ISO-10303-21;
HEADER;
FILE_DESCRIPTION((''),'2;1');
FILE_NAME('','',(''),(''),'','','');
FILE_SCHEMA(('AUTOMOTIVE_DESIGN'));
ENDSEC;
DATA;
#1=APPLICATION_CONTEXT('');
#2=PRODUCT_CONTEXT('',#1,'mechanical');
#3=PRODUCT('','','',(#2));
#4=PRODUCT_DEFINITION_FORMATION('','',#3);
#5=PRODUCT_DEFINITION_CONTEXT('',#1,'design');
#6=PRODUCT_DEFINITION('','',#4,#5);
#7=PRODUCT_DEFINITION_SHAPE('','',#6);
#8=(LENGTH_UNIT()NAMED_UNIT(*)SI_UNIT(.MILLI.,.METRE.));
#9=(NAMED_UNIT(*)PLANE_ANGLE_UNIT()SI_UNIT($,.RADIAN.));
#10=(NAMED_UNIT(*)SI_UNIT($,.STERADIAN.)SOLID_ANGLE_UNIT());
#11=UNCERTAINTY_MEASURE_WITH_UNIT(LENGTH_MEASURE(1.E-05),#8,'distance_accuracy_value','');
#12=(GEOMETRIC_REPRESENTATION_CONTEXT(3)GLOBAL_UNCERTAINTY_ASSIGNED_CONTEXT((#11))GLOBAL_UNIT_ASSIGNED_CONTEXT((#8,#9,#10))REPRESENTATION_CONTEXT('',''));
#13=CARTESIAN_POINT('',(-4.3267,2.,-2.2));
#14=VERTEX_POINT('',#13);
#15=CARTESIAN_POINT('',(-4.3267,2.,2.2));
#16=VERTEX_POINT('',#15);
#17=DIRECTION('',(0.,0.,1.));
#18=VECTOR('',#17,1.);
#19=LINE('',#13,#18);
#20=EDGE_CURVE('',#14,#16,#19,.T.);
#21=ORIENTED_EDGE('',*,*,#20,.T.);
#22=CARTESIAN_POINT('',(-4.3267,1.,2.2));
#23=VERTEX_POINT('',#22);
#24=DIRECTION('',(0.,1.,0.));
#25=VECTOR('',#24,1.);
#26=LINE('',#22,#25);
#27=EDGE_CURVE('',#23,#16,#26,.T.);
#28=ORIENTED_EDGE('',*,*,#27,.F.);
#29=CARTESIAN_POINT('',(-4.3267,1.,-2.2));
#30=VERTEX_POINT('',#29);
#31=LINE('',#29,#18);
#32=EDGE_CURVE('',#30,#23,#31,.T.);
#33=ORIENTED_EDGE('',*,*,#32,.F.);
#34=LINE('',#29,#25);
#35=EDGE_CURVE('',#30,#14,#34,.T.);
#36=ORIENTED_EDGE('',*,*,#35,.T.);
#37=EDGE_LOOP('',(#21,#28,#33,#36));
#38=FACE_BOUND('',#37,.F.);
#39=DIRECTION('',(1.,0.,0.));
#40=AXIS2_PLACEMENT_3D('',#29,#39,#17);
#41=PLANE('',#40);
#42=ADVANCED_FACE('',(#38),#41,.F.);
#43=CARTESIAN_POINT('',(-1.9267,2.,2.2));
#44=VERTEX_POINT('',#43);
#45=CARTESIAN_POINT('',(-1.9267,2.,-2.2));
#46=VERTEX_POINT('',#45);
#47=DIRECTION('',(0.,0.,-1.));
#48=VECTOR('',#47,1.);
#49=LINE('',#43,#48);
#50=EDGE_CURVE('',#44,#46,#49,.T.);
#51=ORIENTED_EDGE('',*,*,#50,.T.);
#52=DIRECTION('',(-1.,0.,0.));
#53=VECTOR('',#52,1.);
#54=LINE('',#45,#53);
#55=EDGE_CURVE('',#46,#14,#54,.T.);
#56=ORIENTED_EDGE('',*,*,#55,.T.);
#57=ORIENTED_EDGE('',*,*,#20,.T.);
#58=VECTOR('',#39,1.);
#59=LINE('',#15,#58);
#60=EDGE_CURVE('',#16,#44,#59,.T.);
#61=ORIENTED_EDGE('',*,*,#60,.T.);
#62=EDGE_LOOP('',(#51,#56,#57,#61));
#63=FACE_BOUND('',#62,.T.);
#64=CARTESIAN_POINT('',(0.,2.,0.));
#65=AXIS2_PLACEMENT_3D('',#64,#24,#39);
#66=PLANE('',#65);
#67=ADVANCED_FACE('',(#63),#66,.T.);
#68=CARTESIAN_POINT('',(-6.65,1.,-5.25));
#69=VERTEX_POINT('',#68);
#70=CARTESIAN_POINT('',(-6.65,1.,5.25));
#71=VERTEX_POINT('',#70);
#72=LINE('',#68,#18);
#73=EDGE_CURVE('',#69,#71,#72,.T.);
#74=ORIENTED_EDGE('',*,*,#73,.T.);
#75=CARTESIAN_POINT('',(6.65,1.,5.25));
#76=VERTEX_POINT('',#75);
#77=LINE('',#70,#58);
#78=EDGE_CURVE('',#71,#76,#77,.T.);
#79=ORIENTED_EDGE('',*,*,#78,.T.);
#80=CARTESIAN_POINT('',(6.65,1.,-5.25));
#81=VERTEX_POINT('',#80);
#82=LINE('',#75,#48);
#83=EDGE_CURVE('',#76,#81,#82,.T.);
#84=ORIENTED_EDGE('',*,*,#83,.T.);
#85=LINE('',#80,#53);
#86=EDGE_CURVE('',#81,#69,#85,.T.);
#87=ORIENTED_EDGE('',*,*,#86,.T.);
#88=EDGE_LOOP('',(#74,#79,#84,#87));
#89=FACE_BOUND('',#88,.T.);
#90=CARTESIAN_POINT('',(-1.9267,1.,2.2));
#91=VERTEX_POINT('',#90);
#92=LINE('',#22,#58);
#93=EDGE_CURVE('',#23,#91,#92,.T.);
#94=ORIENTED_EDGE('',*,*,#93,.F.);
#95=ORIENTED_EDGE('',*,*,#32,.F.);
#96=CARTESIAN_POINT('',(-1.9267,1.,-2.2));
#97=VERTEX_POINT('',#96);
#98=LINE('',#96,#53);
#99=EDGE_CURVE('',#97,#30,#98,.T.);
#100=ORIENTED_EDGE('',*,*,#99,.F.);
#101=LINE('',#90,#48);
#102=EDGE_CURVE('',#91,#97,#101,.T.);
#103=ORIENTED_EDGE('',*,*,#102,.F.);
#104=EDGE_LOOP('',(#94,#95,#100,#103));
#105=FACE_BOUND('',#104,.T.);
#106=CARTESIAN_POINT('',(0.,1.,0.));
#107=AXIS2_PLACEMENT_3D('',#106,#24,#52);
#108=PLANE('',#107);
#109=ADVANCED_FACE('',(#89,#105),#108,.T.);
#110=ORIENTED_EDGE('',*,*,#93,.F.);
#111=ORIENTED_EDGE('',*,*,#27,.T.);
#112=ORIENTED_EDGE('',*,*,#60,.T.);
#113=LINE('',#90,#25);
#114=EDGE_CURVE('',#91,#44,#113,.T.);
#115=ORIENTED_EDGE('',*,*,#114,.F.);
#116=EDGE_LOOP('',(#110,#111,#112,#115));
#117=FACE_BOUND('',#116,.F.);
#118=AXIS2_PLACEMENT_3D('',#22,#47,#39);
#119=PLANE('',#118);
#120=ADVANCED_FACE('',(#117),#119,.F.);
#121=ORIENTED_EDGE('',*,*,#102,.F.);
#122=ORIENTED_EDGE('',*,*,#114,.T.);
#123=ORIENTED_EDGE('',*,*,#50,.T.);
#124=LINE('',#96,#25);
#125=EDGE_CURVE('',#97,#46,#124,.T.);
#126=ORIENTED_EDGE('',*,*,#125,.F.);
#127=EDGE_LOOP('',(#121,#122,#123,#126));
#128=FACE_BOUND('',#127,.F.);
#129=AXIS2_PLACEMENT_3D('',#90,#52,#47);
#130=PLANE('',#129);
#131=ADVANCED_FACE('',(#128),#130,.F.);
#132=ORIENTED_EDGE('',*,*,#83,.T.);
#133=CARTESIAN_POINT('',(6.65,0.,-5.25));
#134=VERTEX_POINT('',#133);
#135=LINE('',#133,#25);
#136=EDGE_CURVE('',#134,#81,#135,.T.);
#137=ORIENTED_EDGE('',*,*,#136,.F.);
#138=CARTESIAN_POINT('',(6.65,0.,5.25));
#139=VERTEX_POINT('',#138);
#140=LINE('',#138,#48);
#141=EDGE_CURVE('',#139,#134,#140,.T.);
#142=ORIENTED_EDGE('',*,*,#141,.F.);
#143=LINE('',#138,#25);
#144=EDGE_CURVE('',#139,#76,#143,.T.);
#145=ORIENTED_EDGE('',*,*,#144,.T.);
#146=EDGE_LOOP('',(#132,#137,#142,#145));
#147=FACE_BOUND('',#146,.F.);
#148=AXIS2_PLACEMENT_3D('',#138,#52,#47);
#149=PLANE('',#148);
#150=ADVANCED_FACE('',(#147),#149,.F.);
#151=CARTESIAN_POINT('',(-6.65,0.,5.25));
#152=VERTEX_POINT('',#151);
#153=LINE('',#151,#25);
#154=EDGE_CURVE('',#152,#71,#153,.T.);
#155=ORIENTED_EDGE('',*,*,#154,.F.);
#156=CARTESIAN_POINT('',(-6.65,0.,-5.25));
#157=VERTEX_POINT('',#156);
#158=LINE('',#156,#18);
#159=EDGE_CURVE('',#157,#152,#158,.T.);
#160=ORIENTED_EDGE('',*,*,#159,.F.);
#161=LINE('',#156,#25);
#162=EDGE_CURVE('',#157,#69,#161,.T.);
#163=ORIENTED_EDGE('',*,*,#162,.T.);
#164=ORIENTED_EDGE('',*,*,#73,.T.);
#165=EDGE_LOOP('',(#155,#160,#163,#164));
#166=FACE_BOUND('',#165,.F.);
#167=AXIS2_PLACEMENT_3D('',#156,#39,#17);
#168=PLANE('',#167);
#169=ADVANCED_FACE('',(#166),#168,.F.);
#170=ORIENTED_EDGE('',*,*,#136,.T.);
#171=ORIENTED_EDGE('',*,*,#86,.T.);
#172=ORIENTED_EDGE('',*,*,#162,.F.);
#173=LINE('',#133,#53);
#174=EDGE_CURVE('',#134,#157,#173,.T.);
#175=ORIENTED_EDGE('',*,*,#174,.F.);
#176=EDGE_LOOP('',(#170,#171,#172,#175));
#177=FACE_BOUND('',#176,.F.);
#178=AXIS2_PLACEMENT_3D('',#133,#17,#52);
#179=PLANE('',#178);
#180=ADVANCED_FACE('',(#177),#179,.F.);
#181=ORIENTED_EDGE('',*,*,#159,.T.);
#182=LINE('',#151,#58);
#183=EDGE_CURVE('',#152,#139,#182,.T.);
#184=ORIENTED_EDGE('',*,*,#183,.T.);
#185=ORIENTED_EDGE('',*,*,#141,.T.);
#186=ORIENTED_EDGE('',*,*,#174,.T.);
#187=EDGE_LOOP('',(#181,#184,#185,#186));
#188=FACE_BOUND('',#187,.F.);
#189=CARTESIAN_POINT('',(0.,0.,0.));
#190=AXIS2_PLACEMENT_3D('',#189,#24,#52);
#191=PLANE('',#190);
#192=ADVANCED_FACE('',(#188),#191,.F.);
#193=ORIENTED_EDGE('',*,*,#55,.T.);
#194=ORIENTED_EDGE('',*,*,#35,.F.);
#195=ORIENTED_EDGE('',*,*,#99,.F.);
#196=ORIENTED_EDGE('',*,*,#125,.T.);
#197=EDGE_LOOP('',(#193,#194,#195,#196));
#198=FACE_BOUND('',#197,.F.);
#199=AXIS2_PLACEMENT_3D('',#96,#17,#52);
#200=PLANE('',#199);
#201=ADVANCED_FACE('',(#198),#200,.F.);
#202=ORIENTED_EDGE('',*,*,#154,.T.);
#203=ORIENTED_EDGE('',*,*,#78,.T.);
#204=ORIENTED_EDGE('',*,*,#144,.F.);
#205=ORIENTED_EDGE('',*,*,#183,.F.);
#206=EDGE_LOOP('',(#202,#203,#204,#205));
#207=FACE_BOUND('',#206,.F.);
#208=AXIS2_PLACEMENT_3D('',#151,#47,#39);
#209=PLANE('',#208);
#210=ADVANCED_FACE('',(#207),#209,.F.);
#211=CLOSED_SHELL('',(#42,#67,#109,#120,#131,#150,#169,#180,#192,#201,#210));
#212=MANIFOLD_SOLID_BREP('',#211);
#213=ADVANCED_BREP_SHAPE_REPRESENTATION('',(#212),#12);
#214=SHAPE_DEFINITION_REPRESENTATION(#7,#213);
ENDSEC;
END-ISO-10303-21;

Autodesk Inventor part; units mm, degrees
ref_plane "YZ Plane" through (0, 0, 0) normal (1, 0, 0) x (0, 1, 0)
ref_plane "XZ Plane" through (0, 0, 0) normal (0, 1, 0) x (-1, 0, 0)
ref_plane "XY Plane" through (0, 0, 0) normal (0, 0, 1) x (1, 0, 0)
sketch "Szkic1" plane through (0, 0, 0) normal (0, 1, 0) x (-1, 0, 0)
  line L0 (6.65, 5.25) -> (-6.65, 5.25)
  line L1 (-6.65, 5.25) -> (-6.65, -5.25)
  line L2 (-6.65, -5.25) -> (6.65, -5.25)
  line L3 (6.65, -5.25) -> (6.65, 5.25)
  point P0 (0, 0)
  dimension "d0" = 10.5
  dimension "d1" = 5.25
  dimension "d2" = 6.65
  dimension "d3" = 13.3
extrude "Wyciągnięcie proste1" add sketch "Szkic1" along normal blind 1
sketch "Szkic2" plane through (0, 1, 0) normal (0, 1, 0) x (1, 0, 0)
  line L0 (-4.3267, -2.2) -> (-1.9267, -2.2)
  line L1 (-1.9267, -2.2) -> (-1.9267, 2.2)
  line L2 (-1.9267, 2.2) -> (-4.3267, 2.2)
  line L3 (-4.3267, 2.2) -> (-4.3267, -2.2)
  point P0 (0, 0)
  dimension "d6" = 4.4
  dimension "d7" = 2.4
  dimension "d8" = 2.2
extrude "Wyciągnięcie proste2" add sketch "Szkic2" along normal blind 1
properties part number "vl"
